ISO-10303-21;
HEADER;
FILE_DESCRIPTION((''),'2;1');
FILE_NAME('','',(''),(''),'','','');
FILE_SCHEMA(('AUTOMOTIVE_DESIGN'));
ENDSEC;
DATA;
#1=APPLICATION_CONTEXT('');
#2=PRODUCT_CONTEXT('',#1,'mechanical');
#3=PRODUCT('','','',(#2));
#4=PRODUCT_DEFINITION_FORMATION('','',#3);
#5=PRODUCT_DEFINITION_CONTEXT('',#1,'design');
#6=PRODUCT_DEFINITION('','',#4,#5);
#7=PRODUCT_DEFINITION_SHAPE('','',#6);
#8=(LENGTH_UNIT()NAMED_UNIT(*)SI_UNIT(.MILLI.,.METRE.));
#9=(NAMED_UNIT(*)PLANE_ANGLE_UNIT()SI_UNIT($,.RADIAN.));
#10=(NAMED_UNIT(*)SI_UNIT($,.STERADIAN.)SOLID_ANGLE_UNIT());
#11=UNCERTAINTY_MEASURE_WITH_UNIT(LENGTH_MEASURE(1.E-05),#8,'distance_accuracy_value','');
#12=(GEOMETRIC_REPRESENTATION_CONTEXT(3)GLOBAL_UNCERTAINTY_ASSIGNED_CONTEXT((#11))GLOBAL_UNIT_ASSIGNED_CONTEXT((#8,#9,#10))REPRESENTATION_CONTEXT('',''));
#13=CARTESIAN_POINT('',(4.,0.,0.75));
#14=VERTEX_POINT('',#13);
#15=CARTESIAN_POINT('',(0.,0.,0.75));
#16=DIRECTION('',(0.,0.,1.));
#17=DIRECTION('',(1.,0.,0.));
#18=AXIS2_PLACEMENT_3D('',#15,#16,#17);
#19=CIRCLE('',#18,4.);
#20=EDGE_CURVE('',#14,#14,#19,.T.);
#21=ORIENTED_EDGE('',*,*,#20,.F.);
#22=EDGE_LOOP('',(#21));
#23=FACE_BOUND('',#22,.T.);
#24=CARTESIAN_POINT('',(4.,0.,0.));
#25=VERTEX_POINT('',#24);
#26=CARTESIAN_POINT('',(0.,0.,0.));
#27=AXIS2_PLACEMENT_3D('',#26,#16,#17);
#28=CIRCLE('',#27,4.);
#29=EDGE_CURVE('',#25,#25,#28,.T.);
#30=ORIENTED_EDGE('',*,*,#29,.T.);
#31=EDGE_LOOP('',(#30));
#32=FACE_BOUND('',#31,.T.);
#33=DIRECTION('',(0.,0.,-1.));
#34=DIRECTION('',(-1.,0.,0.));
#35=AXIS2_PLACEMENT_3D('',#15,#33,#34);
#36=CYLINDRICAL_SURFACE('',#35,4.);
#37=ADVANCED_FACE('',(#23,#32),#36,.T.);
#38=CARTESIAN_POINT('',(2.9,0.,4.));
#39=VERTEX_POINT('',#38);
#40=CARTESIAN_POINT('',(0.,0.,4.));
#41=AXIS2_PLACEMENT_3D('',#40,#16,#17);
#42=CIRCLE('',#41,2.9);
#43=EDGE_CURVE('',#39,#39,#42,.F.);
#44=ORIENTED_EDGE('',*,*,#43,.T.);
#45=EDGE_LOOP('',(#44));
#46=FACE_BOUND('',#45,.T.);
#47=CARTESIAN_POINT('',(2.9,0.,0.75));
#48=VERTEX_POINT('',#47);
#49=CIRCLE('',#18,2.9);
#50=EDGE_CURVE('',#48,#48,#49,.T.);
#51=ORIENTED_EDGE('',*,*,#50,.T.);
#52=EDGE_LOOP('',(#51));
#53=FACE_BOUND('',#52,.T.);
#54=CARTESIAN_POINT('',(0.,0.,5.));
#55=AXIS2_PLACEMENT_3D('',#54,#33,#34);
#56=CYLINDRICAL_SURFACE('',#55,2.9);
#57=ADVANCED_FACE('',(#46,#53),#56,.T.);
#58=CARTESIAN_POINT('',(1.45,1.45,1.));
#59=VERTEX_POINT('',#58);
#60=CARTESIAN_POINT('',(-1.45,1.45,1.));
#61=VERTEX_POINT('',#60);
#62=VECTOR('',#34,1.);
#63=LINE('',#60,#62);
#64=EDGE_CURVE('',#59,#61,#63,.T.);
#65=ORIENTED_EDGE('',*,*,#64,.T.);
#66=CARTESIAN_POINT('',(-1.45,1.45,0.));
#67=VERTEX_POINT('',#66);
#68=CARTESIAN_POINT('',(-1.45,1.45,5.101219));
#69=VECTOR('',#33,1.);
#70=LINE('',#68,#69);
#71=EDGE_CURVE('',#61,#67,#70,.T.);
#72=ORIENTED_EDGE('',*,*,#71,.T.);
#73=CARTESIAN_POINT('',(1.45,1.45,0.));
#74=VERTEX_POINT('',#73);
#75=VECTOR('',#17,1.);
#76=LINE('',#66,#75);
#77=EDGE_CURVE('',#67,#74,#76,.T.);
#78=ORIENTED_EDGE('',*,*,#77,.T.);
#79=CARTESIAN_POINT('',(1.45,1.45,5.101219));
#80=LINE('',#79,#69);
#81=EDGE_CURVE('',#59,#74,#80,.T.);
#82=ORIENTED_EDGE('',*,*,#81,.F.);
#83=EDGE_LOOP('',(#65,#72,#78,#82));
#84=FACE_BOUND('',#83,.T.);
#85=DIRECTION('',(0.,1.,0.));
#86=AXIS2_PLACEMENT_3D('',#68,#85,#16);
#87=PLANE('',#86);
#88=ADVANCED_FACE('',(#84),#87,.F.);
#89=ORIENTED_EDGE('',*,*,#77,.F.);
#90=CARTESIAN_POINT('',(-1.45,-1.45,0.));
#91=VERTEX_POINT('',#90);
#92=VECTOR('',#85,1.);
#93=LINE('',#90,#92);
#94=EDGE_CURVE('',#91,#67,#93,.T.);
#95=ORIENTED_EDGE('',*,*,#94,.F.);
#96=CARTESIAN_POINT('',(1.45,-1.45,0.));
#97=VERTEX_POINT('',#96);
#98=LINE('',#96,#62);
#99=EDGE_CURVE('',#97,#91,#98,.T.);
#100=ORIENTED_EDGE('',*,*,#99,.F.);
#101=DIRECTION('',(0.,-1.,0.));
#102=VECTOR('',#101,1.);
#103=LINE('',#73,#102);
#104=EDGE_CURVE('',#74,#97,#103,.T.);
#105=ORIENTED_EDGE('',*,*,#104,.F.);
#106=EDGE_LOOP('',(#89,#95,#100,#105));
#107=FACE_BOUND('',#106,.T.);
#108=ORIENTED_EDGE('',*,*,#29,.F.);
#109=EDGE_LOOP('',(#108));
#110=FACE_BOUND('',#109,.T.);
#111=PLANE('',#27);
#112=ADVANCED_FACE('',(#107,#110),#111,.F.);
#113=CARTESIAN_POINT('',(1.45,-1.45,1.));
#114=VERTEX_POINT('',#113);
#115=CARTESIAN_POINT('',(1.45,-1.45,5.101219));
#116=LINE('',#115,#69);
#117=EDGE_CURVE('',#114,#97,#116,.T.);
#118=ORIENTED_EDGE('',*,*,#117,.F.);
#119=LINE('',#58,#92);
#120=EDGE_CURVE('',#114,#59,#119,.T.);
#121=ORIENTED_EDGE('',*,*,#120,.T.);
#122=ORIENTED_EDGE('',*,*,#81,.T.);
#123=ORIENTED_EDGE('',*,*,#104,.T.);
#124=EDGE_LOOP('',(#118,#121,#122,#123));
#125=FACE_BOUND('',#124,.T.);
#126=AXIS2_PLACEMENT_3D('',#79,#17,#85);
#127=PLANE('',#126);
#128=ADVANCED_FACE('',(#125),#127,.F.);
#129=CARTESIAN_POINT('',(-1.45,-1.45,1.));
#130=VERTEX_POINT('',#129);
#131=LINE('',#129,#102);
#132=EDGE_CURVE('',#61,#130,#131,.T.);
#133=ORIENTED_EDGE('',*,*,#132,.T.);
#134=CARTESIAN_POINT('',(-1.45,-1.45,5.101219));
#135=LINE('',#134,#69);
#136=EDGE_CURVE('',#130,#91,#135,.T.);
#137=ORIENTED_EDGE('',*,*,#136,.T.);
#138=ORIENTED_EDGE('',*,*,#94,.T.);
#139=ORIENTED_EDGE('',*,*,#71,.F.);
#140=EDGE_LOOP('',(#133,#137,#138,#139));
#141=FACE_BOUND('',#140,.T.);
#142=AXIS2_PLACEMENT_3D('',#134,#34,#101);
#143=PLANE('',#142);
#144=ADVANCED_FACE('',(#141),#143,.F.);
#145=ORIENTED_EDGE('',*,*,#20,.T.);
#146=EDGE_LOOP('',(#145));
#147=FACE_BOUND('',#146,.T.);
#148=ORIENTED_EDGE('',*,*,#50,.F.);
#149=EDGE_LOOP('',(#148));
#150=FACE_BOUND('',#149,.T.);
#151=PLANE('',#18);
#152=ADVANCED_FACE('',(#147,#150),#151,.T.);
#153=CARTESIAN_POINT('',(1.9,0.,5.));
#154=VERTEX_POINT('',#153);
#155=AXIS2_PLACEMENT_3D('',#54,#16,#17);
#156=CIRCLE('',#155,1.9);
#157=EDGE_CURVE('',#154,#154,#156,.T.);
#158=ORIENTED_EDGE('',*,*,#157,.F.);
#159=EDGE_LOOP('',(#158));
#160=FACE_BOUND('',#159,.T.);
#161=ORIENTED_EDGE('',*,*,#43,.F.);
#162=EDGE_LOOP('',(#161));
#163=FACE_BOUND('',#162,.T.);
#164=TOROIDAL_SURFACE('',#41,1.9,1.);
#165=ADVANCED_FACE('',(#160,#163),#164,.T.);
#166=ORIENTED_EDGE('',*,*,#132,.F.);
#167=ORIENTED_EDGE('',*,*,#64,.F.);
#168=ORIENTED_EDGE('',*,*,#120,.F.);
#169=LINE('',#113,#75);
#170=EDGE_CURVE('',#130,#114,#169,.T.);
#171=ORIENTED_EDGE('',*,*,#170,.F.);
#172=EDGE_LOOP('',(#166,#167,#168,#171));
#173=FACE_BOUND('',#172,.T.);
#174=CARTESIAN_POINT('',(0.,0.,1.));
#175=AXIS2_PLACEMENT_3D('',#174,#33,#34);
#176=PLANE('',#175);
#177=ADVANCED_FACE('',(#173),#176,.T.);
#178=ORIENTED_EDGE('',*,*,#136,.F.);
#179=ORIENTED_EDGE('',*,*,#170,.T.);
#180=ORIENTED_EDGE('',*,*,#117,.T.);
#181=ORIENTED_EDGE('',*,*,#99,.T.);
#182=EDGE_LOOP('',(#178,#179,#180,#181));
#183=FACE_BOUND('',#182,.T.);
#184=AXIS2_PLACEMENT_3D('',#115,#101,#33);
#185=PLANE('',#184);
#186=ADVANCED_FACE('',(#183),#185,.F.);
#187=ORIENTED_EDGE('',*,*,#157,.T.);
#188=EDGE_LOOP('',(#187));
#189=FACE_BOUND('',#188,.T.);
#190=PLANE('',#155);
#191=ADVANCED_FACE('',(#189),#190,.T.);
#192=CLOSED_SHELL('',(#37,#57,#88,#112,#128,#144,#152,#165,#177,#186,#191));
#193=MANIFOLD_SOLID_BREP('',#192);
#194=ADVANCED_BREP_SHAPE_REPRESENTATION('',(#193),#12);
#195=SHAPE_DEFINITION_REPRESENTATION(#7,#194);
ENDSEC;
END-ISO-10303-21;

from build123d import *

# Parameters (mm, degrees)
SZKIC1_R                    = 4
DODANIE_WYCI_GNI_CIE1_DEPTH = 0.75
SZKIC2_R                    = 2.9
DODANIE_WYCI_GNI_CIE2_DEPTH = 4.25
SZKIC3_W                    = 2.5
SZKIC3_H                    = 2.5
WYTNIJ_WYCI_GNI_CIE1_DEPTH  = 1
ZAOKR_GLENIE2_R             = 1
SZKIC4_W                    = 2.9
SZKIC4_H                    = 2.9
WYTNIJ_WYCI_GNI_CIE2_DEPTH  = 1


with BuildPart() as part:
    # Szkic1 → Dodanie-wyciągnięcie1 (new body)
    with BuildSketch(Plane.XY):
        Circle(SZKIC1_R)
    extrude(amount=DODANIE_WYCI_GNI_CIE1_DEPTH)

    # Szkic2 → Dodanie-wyciągnięcie2 (add)
    with BuildSketch(Plane.XY.offset(0.75)):
        Circle(SZKIC2_R)
    extrude(amount=DODANIE_WYCI_GNI_CIE2_DEPTH)

    # Szkic3 → Wytnij-wyciągnięcie1 (cut)
    with BuildSketch(Plane(origin=(0, 0, 0), x_dir=(-1, 0, 0), z_dir=(0, 0, -1))):
        Rectangle(SZKIC3_W, SZKIC3_H)
    extrude(amount=-WYTNIJ_WYCI_GNI_CIE1_DEPTH, mode=Mode.SUBTRACT)

    # Zaokrąglenie2
    zaokr_glenie2_edges = [part.edges().sort_by_distance(p)[0] for p in [
        (-2.9, 0, 5),
    ]]
    fillet(zaokr_glenie2_edges, radius=ZAOKR_GLENIE2_R)

    # Szkic4 → Wytnij-wyciągnięcie2 (cut)
    with BuildSketch(Plane(origin=(0, 0, 0), x_dir=(-1, 0, 0), z_dir=(0, 0, -1))):
        Rectangle(SZKIC4_W, SZKIC4_H)
    extrude(amount=-WYTNIJ_WYCI_GNI_CIE2_DEPTH, mode=Mode.SUBTRACT)


solid = part.part
